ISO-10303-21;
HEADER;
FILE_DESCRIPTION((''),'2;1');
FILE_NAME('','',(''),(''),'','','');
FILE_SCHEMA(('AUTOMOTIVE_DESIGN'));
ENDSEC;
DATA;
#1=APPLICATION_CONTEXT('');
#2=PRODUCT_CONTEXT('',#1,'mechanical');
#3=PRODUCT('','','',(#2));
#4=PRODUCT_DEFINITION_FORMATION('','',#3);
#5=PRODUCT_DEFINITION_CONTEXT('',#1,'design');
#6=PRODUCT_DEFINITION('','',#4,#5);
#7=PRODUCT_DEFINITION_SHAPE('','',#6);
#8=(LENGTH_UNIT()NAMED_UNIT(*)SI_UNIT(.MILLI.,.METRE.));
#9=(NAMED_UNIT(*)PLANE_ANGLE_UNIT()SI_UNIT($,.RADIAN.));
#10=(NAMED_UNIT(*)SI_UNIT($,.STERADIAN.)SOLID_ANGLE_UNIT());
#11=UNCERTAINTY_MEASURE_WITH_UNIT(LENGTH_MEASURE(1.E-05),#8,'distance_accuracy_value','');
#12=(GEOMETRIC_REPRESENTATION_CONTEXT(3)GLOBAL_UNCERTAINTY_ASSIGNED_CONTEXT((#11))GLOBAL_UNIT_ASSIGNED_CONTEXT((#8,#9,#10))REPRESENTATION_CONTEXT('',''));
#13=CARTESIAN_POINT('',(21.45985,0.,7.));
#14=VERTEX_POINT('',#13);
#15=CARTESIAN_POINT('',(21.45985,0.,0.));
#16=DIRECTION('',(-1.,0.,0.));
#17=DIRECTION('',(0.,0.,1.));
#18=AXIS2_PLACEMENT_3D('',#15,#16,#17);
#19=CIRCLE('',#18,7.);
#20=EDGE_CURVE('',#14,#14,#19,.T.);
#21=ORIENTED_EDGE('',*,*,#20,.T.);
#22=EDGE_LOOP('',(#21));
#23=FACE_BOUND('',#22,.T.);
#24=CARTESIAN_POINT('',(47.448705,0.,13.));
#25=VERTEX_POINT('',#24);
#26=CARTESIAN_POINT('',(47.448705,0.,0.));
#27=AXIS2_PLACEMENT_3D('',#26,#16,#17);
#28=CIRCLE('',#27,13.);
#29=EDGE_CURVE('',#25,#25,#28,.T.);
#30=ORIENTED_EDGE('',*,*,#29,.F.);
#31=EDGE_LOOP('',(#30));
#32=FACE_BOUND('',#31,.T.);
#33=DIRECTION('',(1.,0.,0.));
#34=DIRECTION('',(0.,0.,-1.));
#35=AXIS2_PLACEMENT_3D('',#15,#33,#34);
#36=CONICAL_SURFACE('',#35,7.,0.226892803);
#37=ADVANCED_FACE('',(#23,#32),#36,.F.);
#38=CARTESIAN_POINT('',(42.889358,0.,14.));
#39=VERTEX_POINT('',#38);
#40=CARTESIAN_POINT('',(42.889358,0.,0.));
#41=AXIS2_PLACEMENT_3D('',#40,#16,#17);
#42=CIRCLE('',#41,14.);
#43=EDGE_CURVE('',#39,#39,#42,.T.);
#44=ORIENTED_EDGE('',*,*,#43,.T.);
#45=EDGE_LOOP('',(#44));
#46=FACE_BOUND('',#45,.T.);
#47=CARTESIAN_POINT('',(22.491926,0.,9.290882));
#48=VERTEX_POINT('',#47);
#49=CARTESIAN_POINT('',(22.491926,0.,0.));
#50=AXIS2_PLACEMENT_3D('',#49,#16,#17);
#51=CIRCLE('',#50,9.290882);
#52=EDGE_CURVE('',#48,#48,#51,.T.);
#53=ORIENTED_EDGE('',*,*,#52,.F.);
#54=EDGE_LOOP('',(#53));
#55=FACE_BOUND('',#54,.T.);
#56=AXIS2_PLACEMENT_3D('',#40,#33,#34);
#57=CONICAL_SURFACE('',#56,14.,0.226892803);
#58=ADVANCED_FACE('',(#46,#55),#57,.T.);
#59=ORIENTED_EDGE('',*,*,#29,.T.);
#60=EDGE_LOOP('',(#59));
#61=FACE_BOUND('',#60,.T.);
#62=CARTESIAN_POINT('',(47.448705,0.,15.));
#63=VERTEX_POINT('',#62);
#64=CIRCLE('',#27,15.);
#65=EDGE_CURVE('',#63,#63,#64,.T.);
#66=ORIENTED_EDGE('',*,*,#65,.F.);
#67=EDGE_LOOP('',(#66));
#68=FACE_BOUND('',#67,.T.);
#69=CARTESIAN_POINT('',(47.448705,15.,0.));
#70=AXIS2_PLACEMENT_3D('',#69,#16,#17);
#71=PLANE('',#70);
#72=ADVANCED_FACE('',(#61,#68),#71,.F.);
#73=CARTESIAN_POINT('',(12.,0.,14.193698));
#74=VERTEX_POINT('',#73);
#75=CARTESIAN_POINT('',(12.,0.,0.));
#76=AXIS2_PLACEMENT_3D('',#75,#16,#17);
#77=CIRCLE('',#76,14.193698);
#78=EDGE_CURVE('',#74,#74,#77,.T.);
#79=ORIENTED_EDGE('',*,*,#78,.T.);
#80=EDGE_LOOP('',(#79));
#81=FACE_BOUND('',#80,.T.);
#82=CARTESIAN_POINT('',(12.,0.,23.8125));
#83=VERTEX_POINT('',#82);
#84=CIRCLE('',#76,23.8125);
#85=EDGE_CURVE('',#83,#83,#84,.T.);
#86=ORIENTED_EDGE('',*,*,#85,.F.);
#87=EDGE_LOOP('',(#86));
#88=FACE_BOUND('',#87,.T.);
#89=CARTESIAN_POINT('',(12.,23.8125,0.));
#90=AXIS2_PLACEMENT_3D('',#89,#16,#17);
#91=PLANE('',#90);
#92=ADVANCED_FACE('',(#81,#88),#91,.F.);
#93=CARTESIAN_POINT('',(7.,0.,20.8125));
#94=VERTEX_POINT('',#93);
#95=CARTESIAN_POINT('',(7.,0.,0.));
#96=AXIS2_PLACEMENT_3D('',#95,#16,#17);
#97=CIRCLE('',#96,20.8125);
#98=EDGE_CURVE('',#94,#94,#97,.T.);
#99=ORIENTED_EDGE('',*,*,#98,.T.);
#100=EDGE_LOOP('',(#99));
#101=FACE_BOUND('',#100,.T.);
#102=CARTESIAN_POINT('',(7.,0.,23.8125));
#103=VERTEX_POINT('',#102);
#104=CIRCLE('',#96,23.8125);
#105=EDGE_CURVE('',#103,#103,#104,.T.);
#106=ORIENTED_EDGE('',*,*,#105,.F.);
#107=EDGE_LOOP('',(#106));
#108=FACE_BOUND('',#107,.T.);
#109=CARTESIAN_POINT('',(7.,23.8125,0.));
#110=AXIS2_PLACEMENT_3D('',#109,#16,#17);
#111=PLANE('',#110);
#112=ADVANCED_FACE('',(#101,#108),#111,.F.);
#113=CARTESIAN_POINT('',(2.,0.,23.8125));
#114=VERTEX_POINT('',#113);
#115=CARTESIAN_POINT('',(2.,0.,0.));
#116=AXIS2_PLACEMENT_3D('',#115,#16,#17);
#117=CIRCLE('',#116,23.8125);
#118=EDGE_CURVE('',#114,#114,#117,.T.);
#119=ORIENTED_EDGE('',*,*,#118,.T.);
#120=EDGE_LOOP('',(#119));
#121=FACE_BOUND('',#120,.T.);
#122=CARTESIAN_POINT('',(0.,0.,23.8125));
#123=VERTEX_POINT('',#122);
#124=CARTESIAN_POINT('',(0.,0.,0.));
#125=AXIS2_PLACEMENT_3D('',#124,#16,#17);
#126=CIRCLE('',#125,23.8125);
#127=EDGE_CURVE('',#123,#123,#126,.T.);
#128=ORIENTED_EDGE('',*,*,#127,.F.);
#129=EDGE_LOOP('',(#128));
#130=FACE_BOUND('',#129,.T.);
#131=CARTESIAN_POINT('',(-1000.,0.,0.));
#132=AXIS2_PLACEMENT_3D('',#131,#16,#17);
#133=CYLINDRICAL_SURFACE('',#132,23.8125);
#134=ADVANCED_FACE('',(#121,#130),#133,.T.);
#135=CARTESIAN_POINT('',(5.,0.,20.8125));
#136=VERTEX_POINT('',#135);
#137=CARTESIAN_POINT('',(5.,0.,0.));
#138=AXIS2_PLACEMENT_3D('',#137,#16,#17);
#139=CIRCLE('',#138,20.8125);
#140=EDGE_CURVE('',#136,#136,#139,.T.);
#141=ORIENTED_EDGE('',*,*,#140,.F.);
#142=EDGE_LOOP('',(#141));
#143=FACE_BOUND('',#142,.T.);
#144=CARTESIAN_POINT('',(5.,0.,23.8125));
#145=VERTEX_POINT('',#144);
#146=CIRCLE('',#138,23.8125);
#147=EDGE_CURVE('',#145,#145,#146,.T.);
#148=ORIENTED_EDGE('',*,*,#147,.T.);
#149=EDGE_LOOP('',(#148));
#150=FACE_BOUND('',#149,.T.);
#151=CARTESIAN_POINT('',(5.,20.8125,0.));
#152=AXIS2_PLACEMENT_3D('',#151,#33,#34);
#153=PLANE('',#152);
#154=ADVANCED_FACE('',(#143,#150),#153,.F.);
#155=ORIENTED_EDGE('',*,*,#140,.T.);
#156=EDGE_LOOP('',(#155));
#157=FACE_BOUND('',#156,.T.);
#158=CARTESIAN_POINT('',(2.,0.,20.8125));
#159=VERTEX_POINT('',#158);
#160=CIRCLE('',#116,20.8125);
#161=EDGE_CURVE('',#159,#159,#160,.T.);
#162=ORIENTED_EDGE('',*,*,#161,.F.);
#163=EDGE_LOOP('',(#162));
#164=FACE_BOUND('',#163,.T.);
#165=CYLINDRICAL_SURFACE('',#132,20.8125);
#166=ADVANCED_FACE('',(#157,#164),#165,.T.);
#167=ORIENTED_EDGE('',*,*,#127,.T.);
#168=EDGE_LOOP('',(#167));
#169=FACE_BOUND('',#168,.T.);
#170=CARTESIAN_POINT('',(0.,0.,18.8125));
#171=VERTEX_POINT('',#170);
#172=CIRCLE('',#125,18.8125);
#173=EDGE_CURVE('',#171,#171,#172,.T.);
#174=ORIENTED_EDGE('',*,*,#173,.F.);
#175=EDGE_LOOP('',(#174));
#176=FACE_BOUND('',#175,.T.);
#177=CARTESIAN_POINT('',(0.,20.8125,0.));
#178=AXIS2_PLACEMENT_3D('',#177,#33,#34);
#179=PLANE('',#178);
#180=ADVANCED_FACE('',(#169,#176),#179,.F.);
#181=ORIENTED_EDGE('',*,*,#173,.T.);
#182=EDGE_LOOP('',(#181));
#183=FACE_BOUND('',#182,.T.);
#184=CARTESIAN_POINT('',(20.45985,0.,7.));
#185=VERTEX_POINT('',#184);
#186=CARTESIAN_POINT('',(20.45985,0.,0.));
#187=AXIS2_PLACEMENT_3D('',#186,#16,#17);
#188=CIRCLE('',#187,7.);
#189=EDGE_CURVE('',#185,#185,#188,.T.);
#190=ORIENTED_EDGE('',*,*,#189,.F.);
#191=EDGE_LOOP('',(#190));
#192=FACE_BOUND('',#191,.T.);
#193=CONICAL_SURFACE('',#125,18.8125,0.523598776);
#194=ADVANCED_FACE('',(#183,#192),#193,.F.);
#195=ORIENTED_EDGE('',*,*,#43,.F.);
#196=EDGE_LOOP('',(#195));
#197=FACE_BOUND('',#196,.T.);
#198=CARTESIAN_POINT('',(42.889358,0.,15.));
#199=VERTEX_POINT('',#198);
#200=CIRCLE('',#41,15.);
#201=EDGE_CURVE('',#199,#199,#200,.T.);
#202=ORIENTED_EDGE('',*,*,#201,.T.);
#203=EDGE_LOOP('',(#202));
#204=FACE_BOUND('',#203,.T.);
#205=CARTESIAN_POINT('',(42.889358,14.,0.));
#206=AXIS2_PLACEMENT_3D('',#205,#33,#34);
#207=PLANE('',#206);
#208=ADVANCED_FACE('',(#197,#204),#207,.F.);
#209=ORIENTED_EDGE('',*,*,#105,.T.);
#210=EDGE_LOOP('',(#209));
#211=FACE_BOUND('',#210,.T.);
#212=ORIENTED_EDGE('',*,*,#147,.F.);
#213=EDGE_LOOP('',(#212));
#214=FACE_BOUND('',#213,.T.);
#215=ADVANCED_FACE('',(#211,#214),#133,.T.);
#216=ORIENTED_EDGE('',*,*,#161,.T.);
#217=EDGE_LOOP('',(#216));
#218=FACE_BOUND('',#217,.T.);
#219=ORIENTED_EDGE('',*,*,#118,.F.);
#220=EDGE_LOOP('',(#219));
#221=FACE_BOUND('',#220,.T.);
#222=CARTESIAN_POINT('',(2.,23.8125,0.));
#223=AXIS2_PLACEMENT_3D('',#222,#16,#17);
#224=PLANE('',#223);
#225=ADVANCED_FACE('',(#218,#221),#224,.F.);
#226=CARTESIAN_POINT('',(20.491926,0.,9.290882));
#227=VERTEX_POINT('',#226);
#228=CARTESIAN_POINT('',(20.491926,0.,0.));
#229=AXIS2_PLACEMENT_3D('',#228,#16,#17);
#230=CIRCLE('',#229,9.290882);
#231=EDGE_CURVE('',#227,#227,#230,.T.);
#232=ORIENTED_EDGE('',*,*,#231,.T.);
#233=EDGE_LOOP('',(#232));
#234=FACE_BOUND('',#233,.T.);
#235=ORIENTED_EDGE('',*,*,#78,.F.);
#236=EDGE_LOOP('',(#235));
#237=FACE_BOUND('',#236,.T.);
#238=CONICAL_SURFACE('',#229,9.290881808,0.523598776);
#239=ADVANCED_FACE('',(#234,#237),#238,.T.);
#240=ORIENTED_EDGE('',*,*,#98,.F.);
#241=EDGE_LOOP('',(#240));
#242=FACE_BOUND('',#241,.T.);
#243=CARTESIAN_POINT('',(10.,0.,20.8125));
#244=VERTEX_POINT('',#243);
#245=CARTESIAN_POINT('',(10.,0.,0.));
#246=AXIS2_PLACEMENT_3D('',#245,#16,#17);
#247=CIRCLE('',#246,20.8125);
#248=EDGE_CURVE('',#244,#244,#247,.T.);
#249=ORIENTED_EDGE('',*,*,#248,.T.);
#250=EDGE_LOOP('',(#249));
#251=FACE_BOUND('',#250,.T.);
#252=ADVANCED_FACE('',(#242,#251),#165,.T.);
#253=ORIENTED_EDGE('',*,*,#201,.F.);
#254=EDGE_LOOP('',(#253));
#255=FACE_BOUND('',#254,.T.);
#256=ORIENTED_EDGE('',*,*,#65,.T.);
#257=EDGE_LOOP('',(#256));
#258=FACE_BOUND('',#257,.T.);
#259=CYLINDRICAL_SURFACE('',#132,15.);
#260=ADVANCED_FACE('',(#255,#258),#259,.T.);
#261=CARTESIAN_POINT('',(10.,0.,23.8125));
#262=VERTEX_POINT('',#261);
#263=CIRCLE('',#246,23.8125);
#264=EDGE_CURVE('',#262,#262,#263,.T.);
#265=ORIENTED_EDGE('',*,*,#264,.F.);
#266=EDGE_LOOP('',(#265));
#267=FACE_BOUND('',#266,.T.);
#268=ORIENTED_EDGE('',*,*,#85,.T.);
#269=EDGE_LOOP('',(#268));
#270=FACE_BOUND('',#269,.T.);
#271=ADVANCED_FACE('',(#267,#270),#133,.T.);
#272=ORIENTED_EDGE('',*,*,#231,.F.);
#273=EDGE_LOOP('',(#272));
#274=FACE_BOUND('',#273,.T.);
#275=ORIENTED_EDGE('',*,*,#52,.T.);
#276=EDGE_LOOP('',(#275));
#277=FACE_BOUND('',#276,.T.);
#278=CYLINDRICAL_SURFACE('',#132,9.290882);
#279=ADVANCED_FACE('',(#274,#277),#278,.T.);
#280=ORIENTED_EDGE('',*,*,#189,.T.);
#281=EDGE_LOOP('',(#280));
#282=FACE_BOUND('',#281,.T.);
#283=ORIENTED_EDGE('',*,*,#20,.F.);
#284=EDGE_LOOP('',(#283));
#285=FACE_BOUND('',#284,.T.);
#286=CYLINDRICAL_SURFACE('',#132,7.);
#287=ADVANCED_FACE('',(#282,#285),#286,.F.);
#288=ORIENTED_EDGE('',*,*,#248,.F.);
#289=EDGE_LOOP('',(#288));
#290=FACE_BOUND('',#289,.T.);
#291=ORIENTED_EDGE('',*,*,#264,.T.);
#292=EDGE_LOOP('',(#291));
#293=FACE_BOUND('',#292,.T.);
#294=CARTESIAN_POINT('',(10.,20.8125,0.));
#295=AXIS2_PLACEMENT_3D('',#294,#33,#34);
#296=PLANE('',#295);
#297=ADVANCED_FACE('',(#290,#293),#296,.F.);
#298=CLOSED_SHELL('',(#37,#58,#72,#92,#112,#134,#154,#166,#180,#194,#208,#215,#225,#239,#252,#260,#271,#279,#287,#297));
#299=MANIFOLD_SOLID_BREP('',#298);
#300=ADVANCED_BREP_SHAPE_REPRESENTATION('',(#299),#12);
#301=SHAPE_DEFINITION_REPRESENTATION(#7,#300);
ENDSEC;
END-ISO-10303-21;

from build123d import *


with BuildPart() as part:
    # Esboço2 → Revolução1 (revolve)
    with BuildSketch(Plane.XY):
        Polygon((0, 23.8125), (2, 23.8125), (2, 20.8125), (5, 20.8125), (5, 23.8125), (7, 23.8125), (7, 20.8125), (10, 20.8125), (10, 23.8125), (12, 23.8125), (12, 20.8125), (12, 14.193697846), (20.49192648, 9.290881808), (22.49192648, 9.290881808), (42.889358319, 14), (42.889358319, 15), (47.44870541, 15), (47.44870541, 13), (21.459850164, 7), (20.459850164, 7), (0, 18.8125), (0, 20.8125), align=None)
    revolve(axis=Axis((-1000, 0, 0), (1, 0, 0)))


solid = part.part
